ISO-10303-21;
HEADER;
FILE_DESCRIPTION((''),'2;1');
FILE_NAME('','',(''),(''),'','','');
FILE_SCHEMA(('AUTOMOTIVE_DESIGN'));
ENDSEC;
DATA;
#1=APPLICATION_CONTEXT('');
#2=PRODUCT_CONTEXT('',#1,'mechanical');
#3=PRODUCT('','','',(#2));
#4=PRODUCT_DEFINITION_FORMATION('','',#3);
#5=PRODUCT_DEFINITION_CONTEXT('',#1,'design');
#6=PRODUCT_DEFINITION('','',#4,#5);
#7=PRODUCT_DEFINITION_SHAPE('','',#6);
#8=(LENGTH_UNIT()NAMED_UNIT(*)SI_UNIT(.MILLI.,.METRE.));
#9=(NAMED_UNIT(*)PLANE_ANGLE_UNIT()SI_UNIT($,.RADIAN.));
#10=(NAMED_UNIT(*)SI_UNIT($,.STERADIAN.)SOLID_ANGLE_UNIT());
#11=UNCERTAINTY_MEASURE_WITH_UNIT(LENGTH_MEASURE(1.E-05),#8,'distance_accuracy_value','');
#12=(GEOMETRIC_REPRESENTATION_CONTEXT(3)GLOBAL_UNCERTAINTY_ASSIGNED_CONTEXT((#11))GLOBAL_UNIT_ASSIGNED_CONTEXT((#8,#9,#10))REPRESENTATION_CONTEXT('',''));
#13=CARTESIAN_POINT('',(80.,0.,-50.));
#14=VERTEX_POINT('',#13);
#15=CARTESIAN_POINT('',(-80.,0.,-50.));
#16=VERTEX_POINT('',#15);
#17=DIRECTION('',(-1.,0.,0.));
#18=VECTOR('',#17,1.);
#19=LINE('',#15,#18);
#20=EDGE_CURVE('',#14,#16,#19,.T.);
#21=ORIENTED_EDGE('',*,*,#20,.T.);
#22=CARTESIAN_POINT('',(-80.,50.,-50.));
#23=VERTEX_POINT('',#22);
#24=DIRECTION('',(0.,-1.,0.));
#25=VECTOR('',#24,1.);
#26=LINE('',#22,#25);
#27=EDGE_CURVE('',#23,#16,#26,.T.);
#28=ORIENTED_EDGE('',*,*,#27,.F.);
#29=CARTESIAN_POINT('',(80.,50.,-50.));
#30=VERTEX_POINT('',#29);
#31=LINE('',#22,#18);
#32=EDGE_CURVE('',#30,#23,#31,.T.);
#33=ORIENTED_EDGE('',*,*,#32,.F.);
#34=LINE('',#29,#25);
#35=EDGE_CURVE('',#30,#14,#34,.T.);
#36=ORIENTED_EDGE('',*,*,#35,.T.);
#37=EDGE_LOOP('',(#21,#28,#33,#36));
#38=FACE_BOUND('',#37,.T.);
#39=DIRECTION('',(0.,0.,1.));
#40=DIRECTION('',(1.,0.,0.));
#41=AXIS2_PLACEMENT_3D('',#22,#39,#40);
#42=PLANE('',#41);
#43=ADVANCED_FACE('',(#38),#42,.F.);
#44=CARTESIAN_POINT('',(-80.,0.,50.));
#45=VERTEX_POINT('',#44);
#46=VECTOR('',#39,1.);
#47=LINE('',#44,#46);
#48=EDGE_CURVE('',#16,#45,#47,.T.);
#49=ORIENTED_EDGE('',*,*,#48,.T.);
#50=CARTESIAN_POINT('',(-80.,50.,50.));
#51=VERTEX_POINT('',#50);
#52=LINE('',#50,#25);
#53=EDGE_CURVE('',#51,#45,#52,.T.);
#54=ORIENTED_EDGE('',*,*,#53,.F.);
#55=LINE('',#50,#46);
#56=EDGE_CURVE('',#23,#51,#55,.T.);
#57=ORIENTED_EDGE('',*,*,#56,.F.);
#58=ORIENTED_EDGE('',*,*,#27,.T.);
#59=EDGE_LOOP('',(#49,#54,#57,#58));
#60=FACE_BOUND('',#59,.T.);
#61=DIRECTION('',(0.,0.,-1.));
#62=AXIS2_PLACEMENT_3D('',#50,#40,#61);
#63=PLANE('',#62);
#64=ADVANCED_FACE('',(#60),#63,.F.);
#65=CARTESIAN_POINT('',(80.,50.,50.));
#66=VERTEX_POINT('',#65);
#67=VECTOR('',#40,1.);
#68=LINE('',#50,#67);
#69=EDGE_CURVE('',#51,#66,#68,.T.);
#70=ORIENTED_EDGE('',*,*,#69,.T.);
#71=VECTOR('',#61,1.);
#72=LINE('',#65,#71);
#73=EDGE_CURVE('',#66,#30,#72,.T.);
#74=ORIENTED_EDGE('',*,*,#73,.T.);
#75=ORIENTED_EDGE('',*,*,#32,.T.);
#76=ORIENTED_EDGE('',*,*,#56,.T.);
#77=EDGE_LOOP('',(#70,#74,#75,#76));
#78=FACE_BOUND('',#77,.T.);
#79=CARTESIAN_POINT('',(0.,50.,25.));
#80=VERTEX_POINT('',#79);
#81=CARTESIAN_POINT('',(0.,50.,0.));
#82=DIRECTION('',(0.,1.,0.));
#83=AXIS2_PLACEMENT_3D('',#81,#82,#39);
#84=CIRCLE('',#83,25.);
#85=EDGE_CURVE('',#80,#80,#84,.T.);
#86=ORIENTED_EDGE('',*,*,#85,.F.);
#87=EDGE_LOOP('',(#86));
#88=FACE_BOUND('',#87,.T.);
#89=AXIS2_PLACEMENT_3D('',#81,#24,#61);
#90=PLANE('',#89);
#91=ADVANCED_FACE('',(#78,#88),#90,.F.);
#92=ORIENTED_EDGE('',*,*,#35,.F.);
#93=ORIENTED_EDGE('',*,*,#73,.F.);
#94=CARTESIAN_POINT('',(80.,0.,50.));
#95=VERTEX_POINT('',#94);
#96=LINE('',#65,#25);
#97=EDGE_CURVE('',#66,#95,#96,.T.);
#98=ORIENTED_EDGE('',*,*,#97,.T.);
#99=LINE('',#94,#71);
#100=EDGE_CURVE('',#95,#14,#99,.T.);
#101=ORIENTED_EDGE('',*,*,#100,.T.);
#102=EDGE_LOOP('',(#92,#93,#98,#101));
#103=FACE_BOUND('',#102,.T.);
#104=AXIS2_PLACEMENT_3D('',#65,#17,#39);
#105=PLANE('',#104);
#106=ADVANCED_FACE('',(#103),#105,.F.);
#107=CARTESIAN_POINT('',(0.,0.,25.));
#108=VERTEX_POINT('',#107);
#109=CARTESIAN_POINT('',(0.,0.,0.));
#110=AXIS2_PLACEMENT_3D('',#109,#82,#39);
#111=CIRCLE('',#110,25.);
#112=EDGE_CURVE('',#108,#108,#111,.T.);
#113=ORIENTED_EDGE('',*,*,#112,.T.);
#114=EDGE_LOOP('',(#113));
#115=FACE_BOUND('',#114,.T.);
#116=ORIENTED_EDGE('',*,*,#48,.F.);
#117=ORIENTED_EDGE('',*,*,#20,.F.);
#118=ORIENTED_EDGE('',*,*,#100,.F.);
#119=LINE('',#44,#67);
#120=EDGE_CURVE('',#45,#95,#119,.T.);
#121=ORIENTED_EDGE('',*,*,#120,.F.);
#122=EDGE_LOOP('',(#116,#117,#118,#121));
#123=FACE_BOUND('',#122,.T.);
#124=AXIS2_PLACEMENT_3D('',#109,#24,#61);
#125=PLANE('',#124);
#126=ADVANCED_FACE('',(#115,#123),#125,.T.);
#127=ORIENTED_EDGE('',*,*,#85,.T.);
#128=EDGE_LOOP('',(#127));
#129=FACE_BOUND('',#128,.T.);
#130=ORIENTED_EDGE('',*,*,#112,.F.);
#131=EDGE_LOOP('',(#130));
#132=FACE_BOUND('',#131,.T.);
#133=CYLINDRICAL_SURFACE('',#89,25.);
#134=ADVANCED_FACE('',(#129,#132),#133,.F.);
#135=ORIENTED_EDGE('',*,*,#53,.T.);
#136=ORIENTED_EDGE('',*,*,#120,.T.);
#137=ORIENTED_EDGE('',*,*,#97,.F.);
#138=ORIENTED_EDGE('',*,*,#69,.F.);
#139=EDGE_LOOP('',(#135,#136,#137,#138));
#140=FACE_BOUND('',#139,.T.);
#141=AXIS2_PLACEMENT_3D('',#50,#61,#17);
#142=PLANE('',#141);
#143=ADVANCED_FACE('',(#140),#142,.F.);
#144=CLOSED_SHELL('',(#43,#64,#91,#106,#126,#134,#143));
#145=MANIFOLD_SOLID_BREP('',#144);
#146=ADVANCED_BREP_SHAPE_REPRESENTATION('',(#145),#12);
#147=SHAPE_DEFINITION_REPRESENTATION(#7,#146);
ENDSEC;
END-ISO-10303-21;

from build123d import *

# Parameters (mm, degrees)
SKETCH1_W           = 160
SKETCH1_H           = 100
SKETCH1_R           = 25
BOSS_EXTRUDE1_DEPTH = 50


with BuildPart() as part:
    # Sketch1 → Boss-Extrude1 (new body)
    with BuildSketch(Plane(origin=(0, 0, 0), x_dir=(1, 0, 0), z_dir=(0, 1, 0))):
        Rectangle(SKETCH1_W, SKETCH1_H)
        Circle(SKETCH1_R, mode=Mode.SUBTRACT)
    extrude(amount=BOSS_EXTRUDE1_DEPTH)


solid = part.part
